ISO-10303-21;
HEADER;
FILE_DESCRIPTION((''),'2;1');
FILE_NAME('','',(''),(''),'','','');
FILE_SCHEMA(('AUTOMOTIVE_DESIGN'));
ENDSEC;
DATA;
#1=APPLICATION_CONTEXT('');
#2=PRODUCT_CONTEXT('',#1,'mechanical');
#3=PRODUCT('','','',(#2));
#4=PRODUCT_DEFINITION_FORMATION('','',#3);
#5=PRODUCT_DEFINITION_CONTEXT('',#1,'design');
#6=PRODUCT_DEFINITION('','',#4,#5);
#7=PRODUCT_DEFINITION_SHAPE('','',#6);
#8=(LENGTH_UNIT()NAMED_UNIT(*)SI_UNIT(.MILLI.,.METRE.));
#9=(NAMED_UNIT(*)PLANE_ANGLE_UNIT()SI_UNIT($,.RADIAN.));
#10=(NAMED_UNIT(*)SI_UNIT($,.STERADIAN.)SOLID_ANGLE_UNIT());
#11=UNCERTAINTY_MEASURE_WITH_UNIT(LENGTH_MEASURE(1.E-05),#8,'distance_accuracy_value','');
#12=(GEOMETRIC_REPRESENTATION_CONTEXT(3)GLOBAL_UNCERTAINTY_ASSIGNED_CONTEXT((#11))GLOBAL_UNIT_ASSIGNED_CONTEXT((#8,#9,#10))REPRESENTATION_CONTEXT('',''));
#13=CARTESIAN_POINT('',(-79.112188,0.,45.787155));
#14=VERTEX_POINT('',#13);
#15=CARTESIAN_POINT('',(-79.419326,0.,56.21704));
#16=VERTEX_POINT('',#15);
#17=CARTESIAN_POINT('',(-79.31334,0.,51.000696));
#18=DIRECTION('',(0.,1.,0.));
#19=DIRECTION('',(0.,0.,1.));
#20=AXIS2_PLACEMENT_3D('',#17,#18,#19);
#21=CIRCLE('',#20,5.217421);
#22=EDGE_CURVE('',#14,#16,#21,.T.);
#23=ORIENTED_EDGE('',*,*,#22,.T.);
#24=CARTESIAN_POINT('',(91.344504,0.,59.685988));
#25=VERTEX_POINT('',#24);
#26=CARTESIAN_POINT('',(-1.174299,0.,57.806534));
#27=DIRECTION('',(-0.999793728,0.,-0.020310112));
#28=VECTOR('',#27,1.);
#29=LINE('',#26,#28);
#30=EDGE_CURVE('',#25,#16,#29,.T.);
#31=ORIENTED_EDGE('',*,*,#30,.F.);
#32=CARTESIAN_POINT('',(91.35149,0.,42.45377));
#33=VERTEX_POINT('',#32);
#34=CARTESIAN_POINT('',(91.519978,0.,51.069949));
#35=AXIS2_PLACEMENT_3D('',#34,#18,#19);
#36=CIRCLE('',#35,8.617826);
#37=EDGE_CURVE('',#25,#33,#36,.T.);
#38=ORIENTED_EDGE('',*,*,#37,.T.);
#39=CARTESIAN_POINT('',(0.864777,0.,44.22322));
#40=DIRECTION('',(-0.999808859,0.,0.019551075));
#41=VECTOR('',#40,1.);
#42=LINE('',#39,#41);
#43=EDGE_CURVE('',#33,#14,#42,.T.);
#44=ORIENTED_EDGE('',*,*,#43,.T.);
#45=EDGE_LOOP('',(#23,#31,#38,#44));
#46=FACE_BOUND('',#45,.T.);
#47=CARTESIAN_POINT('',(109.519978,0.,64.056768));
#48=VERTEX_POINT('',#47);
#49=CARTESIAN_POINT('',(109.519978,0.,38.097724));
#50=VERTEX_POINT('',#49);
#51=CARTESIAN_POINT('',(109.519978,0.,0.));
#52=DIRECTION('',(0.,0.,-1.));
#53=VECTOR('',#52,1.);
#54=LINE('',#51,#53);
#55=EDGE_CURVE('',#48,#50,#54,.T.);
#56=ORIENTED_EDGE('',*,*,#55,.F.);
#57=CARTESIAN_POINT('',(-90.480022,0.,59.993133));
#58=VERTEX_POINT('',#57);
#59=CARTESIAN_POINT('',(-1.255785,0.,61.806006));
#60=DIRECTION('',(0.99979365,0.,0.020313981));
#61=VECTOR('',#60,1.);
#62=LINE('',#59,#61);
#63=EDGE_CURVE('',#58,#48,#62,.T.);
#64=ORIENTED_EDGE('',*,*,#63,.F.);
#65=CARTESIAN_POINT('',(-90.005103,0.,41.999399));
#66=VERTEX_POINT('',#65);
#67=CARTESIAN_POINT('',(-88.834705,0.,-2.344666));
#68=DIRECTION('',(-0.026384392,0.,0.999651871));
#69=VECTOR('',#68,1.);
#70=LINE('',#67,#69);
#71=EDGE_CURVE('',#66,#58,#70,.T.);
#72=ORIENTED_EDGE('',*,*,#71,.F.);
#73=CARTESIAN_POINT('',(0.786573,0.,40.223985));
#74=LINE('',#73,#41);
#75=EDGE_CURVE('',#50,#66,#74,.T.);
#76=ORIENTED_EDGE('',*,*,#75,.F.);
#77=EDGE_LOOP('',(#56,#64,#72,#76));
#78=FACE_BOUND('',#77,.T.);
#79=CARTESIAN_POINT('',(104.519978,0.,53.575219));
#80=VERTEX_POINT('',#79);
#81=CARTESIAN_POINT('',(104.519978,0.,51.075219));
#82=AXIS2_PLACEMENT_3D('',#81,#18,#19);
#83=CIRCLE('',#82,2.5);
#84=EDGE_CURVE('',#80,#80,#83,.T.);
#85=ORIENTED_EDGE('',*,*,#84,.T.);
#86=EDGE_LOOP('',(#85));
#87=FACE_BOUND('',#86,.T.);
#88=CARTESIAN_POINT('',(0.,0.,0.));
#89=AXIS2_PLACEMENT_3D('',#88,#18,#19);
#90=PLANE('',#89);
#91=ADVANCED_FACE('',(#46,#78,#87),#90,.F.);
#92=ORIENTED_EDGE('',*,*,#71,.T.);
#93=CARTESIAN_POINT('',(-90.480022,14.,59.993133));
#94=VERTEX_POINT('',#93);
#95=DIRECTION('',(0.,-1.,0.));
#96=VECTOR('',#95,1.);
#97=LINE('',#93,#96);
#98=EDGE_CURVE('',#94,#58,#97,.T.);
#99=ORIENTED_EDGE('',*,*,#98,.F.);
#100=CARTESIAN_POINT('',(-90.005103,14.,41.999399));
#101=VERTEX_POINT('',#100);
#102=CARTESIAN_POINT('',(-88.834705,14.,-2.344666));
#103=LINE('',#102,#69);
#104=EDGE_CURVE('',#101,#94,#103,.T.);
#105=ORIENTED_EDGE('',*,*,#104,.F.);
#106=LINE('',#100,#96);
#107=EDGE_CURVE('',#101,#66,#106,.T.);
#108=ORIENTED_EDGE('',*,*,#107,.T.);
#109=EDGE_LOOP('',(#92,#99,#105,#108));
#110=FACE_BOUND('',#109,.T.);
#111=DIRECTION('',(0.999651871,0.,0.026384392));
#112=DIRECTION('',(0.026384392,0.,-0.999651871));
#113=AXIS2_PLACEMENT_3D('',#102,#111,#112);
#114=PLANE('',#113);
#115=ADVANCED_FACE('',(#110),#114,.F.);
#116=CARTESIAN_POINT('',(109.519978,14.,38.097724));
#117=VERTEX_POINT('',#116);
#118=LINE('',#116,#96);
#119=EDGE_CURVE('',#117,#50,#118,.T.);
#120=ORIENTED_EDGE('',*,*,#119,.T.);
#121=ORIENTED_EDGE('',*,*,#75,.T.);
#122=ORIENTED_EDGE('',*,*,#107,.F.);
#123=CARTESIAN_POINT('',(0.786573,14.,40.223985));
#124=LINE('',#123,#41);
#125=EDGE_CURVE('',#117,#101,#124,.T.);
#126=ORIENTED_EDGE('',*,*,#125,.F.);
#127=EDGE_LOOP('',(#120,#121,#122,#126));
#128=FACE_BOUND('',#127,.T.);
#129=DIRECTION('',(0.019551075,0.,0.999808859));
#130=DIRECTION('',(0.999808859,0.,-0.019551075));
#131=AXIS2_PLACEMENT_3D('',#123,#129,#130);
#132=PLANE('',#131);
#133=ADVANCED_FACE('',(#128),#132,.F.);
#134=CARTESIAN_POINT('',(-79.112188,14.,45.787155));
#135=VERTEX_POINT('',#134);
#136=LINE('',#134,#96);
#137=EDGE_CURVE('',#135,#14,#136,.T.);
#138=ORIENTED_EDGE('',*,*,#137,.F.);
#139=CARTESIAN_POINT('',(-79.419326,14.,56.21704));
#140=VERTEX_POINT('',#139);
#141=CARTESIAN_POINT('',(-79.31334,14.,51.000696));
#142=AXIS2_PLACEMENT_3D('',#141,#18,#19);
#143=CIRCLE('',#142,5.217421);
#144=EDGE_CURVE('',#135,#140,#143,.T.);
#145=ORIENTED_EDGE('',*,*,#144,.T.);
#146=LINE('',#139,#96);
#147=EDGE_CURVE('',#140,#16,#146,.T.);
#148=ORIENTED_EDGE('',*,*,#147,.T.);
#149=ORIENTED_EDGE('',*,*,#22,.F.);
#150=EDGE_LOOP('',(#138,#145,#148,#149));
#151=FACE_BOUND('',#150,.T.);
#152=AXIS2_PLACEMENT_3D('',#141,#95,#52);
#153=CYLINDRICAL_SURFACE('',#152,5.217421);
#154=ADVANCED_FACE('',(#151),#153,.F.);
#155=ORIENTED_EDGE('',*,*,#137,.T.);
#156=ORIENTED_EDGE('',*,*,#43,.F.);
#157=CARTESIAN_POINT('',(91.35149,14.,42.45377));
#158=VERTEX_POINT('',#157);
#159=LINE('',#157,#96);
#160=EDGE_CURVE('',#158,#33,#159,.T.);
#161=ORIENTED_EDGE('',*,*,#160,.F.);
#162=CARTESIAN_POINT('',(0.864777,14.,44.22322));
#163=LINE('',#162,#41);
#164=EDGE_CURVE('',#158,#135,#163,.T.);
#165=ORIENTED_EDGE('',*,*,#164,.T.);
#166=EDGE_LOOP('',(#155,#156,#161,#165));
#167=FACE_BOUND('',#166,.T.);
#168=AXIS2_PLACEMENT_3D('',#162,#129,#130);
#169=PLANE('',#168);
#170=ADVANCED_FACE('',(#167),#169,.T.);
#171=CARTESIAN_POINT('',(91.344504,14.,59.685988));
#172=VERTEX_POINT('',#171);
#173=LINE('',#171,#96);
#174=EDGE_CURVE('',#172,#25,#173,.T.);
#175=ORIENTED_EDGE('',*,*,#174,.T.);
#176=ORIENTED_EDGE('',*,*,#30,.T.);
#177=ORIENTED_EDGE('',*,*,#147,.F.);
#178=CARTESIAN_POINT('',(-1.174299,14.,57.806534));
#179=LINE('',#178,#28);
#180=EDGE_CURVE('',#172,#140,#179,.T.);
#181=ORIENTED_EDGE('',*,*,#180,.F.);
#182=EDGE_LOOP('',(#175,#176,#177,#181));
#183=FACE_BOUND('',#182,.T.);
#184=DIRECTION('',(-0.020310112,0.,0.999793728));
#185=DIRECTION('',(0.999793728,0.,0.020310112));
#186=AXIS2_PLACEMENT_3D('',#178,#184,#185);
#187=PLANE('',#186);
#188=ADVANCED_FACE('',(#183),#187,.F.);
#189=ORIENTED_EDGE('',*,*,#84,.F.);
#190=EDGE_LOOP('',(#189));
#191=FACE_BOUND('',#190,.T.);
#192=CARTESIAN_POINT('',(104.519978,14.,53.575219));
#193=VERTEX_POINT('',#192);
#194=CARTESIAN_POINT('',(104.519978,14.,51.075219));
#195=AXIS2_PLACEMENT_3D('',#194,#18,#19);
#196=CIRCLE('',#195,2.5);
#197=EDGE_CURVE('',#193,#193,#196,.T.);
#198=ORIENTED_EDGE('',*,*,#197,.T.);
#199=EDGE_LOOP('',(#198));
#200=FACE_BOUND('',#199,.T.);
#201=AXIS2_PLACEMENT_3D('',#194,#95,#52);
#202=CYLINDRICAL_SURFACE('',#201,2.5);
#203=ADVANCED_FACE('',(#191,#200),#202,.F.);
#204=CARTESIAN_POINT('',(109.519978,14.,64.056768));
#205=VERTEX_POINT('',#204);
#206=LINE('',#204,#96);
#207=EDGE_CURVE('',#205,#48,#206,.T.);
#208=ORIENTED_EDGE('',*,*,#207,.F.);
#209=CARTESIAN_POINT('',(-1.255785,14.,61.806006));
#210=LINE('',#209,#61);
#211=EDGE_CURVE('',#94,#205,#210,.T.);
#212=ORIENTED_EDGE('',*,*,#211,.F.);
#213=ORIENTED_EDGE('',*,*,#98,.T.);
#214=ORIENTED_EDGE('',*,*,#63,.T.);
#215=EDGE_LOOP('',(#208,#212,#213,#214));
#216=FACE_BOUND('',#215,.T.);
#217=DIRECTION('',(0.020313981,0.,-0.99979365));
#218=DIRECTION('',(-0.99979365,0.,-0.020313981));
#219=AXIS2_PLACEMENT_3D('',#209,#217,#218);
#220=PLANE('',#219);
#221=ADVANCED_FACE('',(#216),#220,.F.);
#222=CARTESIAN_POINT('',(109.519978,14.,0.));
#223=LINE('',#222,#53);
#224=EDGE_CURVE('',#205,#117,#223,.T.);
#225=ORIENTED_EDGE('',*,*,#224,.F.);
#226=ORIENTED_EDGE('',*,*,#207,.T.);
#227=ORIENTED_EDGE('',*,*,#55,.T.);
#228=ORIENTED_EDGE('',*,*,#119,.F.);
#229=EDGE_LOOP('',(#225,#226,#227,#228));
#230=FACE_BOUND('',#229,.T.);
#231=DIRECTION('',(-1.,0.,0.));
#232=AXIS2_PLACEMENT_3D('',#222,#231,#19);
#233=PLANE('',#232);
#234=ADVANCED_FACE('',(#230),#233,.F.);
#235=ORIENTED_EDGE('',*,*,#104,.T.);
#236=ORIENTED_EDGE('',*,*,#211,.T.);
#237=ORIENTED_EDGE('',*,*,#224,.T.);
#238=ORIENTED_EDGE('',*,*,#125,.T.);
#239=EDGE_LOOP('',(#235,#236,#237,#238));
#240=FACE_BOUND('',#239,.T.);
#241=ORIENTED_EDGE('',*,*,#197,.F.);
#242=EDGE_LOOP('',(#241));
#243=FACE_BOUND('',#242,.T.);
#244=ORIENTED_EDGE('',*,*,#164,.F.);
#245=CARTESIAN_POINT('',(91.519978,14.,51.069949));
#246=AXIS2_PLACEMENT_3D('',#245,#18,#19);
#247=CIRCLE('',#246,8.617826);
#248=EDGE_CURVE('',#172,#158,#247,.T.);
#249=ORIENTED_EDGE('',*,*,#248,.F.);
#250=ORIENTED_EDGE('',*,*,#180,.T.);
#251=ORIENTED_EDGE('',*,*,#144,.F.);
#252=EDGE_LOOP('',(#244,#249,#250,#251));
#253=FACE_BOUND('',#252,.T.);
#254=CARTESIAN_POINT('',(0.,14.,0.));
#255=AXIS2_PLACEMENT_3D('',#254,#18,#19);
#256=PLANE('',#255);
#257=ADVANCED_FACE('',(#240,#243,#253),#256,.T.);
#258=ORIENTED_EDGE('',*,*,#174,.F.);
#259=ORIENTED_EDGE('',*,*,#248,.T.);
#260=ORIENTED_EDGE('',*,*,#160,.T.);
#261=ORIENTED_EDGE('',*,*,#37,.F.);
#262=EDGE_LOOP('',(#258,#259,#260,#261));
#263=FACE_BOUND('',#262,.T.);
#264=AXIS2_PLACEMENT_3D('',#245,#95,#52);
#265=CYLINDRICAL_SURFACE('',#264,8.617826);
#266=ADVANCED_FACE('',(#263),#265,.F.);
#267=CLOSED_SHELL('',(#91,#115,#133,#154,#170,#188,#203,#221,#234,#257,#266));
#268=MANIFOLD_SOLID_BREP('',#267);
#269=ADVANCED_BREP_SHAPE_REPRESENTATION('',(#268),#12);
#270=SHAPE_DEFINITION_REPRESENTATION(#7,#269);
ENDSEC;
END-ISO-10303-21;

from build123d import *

# Parameters (mm, degrees)
SKETCH1_R           = 2.5
BOSS_EXTRUDE1_DEPTH = 14


with BuildPart() as part:
    # Sketch1 → Boss-Extrude1 (new body)
    with BuildSketch(Plane(origin=(0, 0, 0), x_dir=(1, 0, 0), z_dir=(0, 1, 0))):
        Polygon((-49.807795153, -41.213348306), (-90.005103209, -41.999399148), (-90.480022259, -59.993132832), (109.519977741, -64.056767627), (109.519977741, -38.097723503), align=None)
        with BuildLine():
            Line((-79.112188034, -45.787154937), (91.351489969, -42.453769592))
            ThreePointArc((91.351489969, -42.453769592), (100.137803397, -51.073442227), (91.344504386, -59.685988453))
            Line((91.344504386, -59.685988453), (-79.419326147, -56.217040409))
            ThreePointArc((-79.419326147, -56.217040409), (-84.528615041, -51.150292406), (-79.718159034, -45.799004587))
            ThreePointArc((-79.718159034, -45.799004587), (-79.415345745, -45.784273175), (-79.112188034, -45.787154937))
        make_face(mode=Mode.SUBTRACT)
        with Locations((104.519977741, -51.075218669)):
            Circle(SKETCH1_R, mode=Mode.SUBTRACT)
    extrude(amount=BOSS_EXTRUDE1_DEPTH)


solid = part.part
